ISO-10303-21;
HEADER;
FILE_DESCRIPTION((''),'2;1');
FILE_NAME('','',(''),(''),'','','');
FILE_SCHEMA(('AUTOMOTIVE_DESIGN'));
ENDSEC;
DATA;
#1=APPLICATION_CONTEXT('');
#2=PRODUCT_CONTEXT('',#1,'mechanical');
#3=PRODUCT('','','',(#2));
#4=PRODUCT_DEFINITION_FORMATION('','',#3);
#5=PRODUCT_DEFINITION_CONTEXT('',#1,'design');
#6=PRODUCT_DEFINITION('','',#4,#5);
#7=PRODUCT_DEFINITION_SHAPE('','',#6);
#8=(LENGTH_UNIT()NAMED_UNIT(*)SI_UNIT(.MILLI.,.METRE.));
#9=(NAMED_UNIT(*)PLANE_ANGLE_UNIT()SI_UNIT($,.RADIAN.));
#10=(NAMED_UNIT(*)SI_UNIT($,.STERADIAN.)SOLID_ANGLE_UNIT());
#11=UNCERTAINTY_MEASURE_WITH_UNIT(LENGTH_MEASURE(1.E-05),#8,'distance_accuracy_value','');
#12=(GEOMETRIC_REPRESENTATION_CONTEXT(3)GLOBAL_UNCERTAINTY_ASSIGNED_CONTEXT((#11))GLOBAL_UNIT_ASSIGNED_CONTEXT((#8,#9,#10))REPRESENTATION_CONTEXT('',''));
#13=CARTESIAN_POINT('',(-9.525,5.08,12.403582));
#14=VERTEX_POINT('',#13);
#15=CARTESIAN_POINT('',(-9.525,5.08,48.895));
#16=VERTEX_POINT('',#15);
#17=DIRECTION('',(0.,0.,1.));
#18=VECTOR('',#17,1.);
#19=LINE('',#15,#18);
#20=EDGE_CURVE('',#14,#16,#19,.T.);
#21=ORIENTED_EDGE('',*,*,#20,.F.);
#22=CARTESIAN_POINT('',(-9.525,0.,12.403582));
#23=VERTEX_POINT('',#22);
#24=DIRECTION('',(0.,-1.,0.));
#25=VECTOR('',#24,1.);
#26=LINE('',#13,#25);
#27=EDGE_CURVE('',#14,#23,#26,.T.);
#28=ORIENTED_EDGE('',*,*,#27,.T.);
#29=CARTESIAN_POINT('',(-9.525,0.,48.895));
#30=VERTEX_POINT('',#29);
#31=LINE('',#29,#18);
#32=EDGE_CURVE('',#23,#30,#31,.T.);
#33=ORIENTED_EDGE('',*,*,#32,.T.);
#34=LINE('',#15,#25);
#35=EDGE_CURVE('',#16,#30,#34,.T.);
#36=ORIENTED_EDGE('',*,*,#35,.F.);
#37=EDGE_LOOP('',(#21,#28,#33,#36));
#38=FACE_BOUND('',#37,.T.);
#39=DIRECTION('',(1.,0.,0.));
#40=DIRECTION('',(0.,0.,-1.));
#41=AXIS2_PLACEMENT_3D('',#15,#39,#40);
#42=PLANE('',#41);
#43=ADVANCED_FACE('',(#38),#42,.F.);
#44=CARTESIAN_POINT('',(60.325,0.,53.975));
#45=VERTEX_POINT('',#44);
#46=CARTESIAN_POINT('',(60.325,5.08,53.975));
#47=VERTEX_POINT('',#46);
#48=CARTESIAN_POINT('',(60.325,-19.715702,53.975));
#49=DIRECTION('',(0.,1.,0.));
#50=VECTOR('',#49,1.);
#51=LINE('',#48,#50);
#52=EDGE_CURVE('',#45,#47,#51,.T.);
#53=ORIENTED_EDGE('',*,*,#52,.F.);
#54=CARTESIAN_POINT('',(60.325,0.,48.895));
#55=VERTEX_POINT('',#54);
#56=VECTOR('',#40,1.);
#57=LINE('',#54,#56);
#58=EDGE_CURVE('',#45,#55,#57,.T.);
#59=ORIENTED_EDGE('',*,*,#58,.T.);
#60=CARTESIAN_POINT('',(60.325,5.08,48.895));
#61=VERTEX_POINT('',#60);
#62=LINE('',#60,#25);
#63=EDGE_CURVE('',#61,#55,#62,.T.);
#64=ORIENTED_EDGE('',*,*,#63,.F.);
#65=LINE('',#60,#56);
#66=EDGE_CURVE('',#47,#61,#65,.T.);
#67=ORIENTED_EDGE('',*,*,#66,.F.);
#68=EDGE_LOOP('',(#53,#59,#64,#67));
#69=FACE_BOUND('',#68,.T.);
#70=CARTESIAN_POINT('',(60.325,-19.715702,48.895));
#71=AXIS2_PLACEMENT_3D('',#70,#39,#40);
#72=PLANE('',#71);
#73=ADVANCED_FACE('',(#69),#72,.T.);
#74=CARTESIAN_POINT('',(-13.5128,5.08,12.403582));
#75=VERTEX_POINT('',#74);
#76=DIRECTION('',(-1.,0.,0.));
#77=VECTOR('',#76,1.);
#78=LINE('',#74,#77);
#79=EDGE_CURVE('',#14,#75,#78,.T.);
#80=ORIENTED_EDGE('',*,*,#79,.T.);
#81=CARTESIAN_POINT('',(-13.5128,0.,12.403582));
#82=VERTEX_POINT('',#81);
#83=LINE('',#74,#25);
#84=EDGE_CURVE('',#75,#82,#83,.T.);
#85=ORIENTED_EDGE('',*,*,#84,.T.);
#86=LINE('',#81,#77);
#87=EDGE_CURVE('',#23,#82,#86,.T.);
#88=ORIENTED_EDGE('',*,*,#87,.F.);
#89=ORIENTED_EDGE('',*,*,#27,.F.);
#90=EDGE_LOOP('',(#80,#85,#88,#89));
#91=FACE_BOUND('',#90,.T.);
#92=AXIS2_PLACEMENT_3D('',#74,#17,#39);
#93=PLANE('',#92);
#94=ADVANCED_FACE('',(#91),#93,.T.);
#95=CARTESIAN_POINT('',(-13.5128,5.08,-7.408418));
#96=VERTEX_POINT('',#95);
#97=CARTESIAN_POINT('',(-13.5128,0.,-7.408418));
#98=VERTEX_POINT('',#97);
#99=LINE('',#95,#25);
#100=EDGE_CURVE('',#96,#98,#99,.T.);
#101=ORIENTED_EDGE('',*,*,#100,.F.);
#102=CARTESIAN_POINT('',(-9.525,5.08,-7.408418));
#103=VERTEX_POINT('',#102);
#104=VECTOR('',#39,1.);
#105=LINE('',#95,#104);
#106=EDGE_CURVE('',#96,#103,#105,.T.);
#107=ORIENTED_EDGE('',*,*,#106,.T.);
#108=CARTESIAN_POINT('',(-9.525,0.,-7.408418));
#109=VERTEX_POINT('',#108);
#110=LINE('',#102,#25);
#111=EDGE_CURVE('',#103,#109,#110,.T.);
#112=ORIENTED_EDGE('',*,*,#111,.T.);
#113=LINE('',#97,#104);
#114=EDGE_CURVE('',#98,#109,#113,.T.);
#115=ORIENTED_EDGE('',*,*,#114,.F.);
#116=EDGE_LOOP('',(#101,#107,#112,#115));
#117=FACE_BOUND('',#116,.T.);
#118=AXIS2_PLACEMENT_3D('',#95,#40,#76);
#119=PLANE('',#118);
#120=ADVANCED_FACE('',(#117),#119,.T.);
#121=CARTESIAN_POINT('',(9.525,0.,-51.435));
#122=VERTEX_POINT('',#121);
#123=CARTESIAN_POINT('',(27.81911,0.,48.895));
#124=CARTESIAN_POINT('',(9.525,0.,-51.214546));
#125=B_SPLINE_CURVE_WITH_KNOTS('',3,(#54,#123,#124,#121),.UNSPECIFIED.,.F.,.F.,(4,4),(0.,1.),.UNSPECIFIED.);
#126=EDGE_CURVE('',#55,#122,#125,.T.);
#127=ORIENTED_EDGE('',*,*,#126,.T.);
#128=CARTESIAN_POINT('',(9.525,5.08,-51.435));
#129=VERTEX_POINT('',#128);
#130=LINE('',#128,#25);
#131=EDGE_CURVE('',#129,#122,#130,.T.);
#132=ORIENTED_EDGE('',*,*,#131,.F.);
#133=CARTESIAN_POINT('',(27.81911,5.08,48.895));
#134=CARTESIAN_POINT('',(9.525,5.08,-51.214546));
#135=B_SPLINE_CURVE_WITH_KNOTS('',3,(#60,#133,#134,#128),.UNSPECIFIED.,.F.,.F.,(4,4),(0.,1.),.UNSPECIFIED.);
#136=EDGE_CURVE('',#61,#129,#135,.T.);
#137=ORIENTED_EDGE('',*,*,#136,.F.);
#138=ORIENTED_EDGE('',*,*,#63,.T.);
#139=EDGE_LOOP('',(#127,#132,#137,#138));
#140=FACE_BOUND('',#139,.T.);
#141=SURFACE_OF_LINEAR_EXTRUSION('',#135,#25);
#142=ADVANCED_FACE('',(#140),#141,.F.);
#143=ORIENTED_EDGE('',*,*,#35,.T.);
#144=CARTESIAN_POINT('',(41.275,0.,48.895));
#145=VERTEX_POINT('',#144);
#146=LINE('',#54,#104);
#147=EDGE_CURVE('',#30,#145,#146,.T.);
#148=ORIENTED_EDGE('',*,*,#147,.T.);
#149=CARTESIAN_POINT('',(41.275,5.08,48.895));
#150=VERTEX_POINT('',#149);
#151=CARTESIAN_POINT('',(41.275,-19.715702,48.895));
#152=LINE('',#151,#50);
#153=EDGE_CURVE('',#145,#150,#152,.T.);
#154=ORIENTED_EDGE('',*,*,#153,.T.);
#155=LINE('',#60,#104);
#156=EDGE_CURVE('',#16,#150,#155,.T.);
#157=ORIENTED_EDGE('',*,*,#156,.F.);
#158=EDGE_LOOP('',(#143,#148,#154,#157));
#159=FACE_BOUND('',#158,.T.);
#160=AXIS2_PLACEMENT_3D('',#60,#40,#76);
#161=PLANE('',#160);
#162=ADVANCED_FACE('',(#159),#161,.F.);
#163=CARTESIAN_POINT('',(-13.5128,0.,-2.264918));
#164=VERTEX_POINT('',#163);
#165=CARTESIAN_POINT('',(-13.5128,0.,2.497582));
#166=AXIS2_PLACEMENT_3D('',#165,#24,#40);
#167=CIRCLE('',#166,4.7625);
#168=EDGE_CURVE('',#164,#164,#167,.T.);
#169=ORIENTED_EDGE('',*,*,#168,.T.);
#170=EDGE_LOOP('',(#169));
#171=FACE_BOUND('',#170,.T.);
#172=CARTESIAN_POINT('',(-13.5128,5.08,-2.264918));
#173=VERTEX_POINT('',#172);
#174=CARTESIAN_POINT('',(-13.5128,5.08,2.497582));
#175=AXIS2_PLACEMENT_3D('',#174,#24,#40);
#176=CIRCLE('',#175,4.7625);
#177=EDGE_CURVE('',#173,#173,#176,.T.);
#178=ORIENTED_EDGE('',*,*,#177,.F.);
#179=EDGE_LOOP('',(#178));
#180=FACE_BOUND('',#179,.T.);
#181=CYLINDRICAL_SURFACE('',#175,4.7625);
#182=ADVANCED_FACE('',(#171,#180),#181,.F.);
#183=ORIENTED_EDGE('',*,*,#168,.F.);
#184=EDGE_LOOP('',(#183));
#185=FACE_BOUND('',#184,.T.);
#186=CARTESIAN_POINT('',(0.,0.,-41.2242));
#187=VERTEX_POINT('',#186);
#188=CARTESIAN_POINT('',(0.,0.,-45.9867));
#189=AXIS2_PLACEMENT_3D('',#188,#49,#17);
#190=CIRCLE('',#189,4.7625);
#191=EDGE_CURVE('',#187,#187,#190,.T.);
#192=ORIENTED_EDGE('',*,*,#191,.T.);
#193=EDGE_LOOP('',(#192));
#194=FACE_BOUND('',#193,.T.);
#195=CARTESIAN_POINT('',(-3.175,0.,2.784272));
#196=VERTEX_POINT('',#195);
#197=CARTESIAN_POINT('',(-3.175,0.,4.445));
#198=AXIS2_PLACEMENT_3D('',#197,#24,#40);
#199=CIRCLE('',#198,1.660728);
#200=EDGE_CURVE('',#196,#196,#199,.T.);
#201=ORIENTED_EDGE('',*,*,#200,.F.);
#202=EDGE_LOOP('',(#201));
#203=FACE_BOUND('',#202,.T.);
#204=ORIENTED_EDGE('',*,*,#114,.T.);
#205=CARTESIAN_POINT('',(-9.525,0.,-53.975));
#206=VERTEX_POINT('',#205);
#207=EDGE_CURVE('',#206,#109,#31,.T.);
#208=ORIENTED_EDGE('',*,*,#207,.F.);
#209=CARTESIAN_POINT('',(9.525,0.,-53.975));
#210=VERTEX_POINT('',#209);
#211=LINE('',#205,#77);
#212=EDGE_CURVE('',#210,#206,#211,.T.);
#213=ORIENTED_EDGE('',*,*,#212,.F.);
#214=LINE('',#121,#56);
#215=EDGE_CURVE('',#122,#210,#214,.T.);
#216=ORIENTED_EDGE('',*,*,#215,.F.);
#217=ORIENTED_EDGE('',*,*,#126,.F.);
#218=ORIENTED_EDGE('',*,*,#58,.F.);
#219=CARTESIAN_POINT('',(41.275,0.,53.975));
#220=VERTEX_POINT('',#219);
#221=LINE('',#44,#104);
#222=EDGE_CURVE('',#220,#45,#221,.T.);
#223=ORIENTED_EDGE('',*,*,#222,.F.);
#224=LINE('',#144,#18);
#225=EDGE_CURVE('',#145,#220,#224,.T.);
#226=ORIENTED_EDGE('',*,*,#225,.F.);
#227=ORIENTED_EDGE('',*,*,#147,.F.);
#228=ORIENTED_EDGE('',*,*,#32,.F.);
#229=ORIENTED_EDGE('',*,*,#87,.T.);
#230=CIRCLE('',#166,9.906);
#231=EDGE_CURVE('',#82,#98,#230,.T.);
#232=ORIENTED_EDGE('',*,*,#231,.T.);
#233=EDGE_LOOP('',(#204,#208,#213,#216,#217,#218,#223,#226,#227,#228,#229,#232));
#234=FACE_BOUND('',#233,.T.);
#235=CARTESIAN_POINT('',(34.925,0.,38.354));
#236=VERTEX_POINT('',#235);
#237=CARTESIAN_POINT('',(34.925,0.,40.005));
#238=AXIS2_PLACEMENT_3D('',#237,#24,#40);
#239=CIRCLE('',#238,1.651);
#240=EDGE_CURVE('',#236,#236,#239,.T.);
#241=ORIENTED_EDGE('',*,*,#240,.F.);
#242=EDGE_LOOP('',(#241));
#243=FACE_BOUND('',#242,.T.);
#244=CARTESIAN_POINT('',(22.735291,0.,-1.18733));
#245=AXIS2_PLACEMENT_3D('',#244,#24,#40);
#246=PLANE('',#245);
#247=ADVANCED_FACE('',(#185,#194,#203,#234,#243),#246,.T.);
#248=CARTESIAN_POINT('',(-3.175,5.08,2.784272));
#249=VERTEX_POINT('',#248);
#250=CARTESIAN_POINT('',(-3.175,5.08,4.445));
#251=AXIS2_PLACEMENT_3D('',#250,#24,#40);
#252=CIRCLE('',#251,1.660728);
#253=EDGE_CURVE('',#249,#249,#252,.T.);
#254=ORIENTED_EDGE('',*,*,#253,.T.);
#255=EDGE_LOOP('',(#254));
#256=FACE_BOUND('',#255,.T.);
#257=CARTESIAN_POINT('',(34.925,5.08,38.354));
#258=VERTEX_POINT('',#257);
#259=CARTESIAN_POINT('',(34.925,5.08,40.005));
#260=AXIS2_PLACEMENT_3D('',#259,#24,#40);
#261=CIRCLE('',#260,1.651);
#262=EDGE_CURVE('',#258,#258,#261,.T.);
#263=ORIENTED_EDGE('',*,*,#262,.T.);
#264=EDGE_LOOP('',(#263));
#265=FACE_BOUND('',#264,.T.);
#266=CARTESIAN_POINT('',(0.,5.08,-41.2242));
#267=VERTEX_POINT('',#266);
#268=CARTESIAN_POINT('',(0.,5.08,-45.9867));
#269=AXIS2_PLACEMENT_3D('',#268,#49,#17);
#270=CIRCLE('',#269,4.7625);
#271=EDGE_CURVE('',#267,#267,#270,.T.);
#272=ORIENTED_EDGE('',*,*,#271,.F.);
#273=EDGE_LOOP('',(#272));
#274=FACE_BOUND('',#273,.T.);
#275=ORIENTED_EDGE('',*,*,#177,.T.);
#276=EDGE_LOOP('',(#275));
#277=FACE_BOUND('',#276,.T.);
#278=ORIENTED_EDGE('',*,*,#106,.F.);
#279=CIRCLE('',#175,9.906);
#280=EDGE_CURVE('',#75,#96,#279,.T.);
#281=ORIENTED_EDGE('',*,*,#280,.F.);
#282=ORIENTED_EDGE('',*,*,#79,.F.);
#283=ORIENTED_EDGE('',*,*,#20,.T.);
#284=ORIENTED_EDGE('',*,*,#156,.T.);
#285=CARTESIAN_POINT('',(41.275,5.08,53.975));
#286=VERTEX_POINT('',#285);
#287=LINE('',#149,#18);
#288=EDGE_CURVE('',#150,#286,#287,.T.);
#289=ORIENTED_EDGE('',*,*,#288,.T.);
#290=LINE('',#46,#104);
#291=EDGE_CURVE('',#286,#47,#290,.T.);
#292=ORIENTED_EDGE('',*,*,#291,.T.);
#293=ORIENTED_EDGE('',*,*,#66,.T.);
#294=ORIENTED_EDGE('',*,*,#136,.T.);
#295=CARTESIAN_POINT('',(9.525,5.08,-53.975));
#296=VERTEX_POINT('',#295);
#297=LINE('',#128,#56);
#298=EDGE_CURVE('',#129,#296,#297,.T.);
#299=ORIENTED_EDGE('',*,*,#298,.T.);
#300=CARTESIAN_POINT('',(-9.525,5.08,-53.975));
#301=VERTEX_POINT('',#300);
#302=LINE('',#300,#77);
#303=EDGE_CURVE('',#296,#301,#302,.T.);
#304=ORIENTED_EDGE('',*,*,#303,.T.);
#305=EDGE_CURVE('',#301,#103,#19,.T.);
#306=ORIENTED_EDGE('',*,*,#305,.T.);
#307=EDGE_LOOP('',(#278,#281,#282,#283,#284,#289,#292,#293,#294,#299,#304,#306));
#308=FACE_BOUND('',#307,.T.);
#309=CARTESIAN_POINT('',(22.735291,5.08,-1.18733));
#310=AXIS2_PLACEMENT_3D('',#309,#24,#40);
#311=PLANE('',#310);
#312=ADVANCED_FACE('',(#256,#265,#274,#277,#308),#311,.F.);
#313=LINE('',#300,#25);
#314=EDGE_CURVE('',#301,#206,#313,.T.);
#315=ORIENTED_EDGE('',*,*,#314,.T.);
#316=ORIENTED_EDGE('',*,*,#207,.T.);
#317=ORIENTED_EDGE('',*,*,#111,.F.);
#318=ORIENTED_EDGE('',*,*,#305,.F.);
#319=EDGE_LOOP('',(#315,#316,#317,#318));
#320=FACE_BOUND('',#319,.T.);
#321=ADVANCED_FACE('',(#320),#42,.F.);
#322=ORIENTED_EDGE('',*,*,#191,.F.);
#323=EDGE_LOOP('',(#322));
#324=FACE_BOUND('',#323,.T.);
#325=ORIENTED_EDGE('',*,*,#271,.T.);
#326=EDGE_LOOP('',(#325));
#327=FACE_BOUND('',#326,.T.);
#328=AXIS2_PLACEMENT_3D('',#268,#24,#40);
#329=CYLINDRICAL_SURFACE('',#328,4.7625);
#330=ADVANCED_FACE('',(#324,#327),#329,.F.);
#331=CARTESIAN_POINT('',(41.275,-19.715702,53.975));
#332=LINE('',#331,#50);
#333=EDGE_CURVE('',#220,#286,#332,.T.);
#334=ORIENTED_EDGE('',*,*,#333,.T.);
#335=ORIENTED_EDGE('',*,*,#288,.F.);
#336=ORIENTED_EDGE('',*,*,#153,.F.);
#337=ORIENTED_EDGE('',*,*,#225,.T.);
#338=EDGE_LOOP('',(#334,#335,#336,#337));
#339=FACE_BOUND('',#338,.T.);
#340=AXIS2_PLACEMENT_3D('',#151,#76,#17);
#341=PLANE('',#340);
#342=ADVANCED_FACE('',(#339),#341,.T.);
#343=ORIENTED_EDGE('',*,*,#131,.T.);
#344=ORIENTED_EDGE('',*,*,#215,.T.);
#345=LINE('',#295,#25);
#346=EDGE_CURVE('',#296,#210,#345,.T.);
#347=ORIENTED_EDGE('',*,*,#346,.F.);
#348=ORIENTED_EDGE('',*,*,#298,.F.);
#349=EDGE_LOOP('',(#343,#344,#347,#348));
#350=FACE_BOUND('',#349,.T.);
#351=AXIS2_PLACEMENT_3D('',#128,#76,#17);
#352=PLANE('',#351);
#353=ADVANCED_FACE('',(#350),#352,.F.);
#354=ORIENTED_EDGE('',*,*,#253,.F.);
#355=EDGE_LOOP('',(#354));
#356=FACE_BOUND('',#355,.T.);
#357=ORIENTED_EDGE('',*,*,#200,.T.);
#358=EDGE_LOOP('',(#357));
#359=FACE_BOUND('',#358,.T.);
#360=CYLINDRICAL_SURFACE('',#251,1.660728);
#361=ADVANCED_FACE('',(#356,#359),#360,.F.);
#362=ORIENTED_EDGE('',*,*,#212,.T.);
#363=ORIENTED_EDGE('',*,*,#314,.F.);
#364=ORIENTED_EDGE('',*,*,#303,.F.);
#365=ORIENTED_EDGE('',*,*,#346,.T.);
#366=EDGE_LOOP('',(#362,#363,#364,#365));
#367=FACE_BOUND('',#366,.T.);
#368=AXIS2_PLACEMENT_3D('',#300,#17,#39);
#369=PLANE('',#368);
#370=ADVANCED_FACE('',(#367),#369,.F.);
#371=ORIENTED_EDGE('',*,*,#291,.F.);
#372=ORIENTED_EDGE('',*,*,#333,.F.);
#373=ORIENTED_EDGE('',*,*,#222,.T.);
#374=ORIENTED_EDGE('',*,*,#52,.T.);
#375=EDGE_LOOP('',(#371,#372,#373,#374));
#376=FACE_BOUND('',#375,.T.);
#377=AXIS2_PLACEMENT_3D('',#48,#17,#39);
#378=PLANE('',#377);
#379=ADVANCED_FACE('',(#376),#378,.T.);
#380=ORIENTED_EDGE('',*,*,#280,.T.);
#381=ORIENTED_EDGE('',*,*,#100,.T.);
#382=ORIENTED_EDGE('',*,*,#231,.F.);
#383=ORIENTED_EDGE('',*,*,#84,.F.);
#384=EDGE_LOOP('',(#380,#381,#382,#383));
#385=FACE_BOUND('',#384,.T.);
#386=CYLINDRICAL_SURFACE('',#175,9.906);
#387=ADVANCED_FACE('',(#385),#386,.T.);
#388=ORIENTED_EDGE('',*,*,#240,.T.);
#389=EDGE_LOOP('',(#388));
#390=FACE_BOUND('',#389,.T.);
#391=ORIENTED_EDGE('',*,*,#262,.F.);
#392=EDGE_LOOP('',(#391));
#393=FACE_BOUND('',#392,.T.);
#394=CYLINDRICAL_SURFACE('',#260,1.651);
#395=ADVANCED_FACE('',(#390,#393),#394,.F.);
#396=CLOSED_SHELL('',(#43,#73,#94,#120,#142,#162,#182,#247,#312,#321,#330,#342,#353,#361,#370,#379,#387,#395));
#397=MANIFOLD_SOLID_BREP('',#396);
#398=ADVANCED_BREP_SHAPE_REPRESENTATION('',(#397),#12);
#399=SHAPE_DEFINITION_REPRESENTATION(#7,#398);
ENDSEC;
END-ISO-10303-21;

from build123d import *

# Parameters (mm, degrees)
SKETCH1_R               = 4.7625
BOSS_EXTRUDE1_DEPTH     = 5.08
SKETCH4_W               = 19.05
SKETCH4_H               = 5.08
BOSS_EXTRUDE2_DEPTH     = 5.08
SKETCH6_R               = 4.7625
BOSS_EXTRUDE3_DEPTH     = 5.08
SKETCH8_R               = 4.7625
CUT_EXTRUDE2_DEPTH      = 6.0800001
SKETCH5_R               = 1.651
SKETCH5_R_2             = 1.660728382
CUT_EXTRUDE1_DEPTH      = 1.0000001
CUT_EXTRUDE1_DEPTH_BACK = 6.0800001


with BuildPart() as part:
    # Sketch1 → Boss-Extrude1 (new body)
    with BuildSketch(Plane(origin=(0, 0, 0), x_dir=(1, 0, 0), z_dir=(0, 1, 0))):
        with BuildLine():
            Line((-9.525, 53.975), (9.525, 53.975))
            Line((9.525, 53.975), (9.525, 51.435))
            add(Edge.make_bspline(
                [(9.525, 51.435), (9.525, 51.21454564), (27.819109584, -48.895), (60.325, -48.895)],
                knots=[0, 0, 0, 0, 1, 1, 1, 1], degree=3))
            Line((60.325, -48.895), (-9.525, -48.895))
            Line((-9.525, -48.895), (-9.525, 53.975))
        make_face()
        with Locations((0, 45.9867)):
            Circle(SKETCH1_R, mode=Mode.SUBTRACT)
    extrude(amount=BOSS_EXTRUDE1_DEPTH)

    # Sketch4 → Boss-Extrude2 (add)
    with BuildSketch(Plane(origin=(0, 5.08, 0), x_dir=(1, 0, 0), z_dir=(0, 1, 0))):
        with Locations((50.8, -51.435)):
            Rectangle(SKETCH4_W, SKETCH4_H)
    extrude(amount=-BOSS_EXTRUDE2_DEPTH)

    # Sketch6 → Boss-Extrude3 (add)
    with BuildSketch(Plane.XZ):
        with BuildLine():
            Line((-13.5128, 12.403582), (-9.525, 12.403582))
            Line((-9.525, 12.403582), (-9.525, 11.565453148))
            ThreePointArc((-9.525, 11.565453148), (-3.6068, 2.497582), (-9.525, -6.570289148))
            Line((-9.525, -6.570289148), (-9.525, -7.408418))
            Line((-9.525, -7.408418), (-13.5128, -7.408418))
            ThreePointArc((-13.5128, -7.408418), (-23.4188, 2.497582), (-13.5128, 12.403582))
        make_face()
        with Locations((-13.5128, 2.497582)):
            Circle(SKETCH6_R, mode=Mode.SUBTRACT)
    extrude(amount=-BOSS_EXTRUDE3_DEPTH)

    # Sketch8 → Cut-Extrude2 (cut, through all)
    with BuildSketch(Plane(origin=(0, 5.08, 0), x_dir=(1, 0, 0), z_dir=(0, 1, 0))):
        with Locations((-13.5128, -2.497582)):
            Circle(SKETCH8_R)
    extrude(amount=-CUT_EXTRUDE2_DEPTH, mode=Mode.SUBTRACT)

    # Sketch5 → Cut-Extrude1 (cut, two sides)
    with BuildSketch(Plane.XZ) as cut_extrude1_sk:
        with Locations((34.925, 40.005)):
            Circle(SKETCH5_R)
        with Locations((-3.175, 4.445)):
            Circle(SKETCH5_R_2)
    extrude(amount=CUT_EXTRUDE1_DEPTH, mode=Mode.SUBTRACT)
    extrude(cut_extrude1_sk.sketch, amount=-CUT_EXTRUDE1_DEPTH_BACK, mode=Mode.SUBTRACT)


solid = part.part
